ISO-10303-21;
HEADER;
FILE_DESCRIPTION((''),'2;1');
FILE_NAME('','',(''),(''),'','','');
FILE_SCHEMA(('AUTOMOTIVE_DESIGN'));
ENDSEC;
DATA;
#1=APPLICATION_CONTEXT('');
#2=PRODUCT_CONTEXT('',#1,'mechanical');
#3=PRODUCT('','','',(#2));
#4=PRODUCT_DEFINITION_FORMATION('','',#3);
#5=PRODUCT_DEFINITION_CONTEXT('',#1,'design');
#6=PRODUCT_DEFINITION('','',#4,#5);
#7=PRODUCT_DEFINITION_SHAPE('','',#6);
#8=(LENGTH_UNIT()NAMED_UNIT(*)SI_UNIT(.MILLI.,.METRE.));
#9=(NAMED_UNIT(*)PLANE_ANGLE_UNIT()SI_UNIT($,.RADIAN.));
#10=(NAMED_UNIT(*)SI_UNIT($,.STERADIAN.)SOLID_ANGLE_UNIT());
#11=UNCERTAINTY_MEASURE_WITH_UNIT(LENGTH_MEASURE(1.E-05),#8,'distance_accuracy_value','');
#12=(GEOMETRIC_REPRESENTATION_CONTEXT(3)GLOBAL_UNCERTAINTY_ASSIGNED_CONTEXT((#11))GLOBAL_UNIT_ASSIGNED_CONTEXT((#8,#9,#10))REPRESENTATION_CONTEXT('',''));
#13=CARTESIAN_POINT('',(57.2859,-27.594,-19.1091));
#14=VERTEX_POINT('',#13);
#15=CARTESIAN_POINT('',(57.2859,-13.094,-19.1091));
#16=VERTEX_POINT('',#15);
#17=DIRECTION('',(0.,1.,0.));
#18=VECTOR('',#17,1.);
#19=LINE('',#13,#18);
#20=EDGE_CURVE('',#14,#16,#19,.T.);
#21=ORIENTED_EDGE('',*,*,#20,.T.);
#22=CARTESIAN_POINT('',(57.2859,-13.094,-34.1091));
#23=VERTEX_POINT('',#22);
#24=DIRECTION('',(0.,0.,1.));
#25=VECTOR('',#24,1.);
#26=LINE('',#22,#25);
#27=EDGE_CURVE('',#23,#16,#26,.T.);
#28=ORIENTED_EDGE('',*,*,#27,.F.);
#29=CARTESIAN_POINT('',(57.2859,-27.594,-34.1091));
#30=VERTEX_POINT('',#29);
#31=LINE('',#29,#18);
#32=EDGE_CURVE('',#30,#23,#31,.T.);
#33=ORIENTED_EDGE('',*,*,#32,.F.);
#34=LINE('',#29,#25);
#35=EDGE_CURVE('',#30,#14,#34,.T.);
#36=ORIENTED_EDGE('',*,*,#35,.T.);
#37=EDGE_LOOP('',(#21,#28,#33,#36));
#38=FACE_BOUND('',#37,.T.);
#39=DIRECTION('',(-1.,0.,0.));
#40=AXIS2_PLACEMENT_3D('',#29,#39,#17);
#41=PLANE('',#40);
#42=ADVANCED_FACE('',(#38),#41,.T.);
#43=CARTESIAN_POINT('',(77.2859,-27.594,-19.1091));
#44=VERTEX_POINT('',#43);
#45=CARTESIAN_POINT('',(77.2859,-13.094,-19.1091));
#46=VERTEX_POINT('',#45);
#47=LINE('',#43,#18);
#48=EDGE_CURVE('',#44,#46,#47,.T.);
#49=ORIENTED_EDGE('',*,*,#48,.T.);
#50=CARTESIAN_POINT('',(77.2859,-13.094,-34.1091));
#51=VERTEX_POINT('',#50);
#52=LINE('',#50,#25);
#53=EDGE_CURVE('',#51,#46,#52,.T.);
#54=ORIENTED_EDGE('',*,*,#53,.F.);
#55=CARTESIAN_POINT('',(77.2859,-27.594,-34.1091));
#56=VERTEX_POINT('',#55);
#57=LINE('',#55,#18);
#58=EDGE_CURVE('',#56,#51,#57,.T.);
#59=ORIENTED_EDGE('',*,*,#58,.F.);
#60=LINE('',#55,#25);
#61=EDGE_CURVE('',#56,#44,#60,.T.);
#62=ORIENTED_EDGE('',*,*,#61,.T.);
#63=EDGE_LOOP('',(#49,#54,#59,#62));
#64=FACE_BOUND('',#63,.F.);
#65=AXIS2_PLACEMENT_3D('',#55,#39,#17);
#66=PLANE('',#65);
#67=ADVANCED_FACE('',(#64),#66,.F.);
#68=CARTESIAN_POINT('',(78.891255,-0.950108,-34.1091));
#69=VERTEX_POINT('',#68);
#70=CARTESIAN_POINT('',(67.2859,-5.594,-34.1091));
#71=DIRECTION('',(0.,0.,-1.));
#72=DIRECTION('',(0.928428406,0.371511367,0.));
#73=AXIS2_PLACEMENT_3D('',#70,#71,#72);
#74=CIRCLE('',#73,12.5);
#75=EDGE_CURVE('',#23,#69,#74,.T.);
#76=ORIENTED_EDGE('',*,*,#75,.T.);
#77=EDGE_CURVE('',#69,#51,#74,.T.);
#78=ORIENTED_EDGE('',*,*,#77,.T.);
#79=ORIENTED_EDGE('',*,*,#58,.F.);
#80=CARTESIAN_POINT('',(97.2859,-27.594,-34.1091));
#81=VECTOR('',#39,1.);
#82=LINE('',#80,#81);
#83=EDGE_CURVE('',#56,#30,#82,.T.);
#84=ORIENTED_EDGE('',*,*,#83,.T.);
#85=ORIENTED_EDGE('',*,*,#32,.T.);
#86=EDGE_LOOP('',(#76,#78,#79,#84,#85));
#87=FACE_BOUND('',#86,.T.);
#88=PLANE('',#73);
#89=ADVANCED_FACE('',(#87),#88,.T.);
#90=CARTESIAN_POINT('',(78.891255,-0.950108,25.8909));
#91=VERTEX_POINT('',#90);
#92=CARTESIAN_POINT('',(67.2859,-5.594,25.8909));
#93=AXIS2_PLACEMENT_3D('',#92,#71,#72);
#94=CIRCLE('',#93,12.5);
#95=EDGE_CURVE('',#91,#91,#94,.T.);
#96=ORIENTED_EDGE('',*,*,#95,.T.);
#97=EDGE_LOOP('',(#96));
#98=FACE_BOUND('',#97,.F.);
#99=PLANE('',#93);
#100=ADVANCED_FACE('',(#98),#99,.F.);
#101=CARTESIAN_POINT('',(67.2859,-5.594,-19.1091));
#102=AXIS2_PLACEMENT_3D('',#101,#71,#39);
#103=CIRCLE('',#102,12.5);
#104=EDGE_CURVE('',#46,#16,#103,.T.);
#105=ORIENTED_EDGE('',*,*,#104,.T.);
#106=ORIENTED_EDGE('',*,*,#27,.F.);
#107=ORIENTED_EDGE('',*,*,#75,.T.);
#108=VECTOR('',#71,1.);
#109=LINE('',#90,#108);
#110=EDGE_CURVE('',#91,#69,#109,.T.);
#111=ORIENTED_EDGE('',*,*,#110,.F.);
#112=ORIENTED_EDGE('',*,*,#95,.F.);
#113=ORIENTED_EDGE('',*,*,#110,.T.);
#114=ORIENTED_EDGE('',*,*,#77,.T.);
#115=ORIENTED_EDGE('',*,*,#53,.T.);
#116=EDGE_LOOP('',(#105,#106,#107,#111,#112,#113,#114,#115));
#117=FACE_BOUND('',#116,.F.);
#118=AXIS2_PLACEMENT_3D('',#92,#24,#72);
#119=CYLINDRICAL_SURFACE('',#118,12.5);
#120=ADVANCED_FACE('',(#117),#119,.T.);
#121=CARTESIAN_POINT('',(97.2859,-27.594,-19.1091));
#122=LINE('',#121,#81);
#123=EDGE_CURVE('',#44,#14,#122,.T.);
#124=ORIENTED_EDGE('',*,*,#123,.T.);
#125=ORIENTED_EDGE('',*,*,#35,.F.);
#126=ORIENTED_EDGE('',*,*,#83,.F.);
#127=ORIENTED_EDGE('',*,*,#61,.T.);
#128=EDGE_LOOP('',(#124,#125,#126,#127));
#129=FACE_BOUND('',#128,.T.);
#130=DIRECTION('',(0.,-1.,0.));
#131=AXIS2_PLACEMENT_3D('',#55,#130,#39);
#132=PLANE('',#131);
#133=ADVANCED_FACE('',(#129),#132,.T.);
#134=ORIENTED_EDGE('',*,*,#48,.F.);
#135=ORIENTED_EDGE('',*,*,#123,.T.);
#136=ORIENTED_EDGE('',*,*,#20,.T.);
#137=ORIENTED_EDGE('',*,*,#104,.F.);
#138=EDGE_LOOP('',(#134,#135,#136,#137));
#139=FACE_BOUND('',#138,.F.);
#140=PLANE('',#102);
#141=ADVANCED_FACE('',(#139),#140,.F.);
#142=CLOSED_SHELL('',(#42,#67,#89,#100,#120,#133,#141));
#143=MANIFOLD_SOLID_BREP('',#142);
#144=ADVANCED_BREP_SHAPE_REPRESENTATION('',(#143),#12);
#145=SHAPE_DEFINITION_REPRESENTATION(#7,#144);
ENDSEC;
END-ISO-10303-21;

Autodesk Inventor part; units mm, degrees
ref_plane "YZ Plane" through (0, 0, 0) normal (1, 0, 0) x (0, 1, 0)
ref_plane "XZ Plane" through (0, 0, 0) normal (0, 1, 0) x (-1, 0, 0)
ref_plane "XY Plane" through (0, 0, 0) normal (0, 0, 1) x (1, 0, 0)
ref_plane "Work Plane1" through (67.2859, -5.594, 25.8909) normal (0, 0, -1) x (0.9284, 0.3715, 0)
sketch "Sketch2" plane through (67.2859, -5.594, 25.8909) normal (0, 0, -1) x (0.9284, 0.3715, 0)
  circle A0 centre (0, 0) radius 12.5
  point P0 (-60.3924, -30.19)
  dimension "d0" = 25
extrude "Extrusion1" add sketch "Sketch2" along normal blind 60
sketch "Sketch3" plane through (67.2859, -5.594, -34.1091) normal (0, 0, -1) x (-1, 0, 0)
  circle A0 centre (0, 0) radius 12.5 projected
  line L0 (10, -22) -> (10, 8) projected
  line L1 (-10, -22) -> (-10, 8) projected
  line L2 (-30, -22) -> (10, -22) projected
  point P0 (67.2859, 5.594)
  point P1 (10, -7.5)
  point P2 (-10, -7.5)
extrude "Extrusion2" add sketch "Sketch3" against normal blind 15 contours L0 L2 L1 A0
equation "\"BendRadius\" = Thickness"
equation "\"BendReliefWidth\" = Thickness"
equation "\"BendReliefDepth\" = 0.5 * Thickness"
equation "\"CornerReliefSize\" = 4 * Thickness"
equation "\"MinimumRemnant\" = 2 * Thickness"
equation "\"TransitionRadius\" = BendRadius"
equation "\"JacobiRadiusSize\" = Thickness"
equation "\"GapSize\" = Thickness"
equation "\"Thickness\" = 0.5"
properties part number "motor jaws"
